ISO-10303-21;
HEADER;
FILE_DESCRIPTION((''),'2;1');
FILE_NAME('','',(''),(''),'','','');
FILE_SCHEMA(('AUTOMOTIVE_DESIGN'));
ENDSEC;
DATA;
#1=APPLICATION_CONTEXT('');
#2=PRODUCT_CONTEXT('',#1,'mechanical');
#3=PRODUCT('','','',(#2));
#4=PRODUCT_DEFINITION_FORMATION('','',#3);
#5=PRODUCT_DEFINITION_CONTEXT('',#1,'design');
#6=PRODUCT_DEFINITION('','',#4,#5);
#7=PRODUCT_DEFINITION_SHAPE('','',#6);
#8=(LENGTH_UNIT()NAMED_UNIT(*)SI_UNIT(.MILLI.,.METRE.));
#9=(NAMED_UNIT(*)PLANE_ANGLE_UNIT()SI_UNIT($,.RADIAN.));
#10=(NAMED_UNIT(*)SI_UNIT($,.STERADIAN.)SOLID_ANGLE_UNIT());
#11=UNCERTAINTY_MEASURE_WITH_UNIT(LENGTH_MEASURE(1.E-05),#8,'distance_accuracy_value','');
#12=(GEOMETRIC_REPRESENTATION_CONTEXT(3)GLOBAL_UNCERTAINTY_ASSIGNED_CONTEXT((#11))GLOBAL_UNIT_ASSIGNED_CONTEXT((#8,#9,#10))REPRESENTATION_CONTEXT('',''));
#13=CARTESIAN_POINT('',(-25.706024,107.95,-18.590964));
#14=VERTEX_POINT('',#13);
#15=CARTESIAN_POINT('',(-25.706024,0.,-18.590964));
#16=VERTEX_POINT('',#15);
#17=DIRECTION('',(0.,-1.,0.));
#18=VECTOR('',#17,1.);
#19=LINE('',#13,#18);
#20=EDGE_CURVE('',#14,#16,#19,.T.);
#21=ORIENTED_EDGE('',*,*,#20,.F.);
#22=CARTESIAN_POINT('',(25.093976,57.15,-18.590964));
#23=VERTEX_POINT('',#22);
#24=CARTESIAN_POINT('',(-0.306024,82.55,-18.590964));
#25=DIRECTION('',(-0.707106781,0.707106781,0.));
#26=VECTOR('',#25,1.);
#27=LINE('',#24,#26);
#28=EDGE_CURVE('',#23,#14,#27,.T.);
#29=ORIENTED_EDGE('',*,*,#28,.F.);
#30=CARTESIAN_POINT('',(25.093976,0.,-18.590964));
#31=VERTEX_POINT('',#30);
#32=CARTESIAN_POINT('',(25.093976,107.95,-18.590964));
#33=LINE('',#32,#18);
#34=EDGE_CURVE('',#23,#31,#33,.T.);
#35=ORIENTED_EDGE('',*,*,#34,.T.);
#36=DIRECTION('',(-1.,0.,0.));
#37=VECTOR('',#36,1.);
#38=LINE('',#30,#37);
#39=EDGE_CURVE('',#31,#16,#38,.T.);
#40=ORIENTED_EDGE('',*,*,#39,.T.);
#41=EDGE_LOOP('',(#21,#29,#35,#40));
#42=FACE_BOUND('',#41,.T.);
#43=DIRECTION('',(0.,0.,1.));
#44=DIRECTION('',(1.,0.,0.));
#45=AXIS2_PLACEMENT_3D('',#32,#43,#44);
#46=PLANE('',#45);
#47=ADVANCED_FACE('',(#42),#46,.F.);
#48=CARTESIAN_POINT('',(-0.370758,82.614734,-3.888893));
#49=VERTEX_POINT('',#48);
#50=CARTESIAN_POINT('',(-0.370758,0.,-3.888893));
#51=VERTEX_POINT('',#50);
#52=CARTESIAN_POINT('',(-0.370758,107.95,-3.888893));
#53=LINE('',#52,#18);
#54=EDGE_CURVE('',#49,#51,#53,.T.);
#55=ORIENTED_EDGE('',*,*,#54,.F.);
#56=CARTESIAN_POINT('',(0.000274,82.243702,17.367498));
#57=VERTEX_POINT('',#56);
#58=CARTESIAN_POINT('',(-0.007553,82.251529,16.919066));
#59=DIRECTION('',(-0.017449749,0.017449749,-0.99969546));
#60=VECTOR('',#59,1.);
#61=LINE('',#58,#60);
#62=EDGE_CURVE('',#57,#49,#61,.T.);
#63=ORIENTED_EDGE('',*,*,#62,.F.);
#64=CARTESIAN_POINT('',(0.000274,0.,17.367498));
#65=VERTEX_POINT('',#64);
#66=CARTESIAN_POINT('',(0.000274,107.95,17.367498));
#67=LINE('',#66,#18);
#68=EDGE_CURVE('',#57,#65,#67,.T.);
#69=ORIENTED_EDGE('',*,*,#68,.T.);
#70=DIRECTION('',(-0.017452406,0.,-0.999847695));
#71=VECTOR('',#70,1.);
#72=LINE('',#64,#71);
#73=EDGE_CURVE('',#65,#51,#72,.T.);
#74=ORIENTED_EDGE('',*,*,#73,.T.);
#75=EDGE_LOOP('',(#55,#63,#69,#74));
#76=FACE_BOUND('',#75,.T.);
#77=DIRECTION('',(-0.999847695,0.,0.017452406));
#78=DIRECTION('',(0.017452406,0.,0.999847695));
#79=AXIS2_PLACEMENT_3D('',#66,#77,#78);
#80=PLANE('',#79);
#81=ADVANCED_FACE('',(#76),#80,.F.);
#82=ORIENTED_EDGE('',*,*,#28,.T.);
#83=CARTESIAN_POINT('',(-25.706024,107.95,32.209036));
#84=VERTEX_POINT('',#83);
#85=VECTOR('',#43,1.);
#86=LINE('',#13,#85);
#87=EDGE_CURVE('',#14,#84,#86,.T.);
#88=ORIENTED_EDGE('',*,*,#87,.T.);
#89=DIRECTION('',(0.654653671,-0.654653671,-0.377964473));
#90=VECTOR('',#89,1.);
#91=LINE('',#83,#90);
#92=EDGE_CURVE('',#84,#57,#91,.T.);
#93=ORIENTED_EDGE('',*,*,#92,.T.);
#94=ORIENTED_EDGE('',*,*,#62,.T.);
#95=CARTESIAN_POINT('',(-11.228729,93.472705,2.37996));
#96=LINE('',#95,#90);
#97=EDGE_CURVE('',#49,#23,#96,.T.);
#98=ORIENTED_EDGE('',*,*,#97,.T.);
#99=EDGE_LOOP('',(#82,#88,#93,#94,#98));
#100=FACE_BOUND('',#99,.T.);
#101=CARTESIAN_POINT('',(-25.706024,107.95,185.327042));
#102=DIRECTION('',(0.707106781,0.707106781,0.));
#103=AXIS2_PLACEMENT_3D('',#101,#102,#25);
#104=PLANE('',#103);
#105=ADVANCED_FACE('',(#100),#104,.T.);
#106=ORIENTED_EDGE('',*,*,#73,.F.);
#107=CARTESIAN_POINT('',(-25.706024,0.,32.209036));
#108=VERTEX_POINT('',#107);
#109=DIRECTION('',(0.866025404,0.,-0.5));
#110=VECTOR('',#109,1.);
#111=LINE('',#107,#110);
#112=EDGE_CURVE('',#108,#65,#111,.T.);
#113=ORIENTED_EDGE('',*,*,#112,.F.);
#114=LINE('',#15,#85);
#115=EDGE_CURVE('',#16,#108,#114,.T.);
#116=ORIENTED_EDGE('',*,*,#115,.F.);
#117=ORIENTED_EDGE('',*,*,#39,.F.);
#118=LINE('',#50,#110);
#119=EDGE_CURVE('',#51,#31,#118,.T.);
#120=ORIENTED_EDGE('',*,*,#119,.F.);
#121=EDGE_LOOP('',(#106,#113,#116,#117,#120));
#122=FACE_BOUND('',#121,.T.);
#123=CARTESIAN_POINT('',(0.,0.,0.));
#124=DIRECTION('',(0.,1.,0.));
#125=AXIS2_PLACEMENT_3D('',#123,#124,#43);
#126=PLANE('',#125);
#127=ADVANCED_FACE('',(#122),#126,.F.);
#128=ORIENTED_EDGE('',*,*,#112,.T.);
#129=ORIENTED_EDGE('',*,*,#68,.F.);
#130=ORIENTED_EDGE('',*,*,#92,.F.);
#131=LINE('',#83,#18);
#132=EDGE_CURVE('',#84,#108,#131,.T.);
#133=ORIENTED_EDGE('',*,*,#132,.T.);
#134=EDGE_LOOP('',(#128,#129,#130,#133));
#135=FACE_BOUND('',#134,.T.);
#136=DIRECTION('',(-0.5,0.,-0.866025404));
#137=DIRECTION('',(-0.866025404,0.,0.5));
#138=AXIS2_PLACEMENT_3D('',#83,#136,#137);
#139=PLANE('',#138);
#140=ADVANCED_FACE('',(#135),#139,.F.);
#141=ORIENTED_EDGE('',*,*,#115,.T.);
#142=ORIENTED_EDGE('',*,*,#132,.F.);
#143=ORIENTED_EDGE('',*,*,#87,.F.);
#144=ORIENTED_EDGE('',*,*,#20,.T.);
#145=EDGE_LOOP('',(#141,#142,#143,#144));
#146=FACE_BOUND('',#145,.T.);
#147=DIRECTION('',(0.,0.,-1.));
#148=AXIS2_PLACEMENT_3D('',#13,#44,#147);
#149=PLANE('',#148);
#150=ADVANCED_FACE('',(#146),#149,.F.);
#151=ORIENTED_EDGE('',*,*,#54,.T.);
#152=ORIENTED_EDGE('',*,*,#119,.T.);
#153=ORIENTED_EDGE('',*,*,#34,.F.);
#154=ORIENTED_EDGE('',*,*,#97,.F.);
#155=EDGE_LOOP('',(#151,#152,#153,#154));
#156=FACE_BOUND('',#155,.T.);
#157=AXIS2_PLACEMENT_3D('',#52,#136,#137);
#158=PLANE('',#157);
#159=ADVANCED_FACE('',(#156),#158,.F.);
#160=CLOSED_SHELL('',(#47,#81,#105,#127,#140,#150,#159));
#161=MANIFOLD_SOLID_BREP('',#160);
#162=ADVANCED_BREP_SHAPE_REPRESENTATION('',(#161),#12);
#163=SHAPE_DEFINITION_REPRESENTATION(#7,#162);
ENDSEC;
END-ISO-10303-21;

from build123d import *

# Parameters (mm, degrees)
BOSS_EXTRUDE1_DEPTH     = 107.95
CUT_EXTRUDE1_DEPTH      = 116.548362966
CUT_EXTRUDE1_DEPTH_BACK = 116.548362966


with BuildPart() as part:
    # Sketch1 → Boss-Extrude1 (new body)
    with BuildSketch(Plane(origin=(0, 0, 0), x_dir=(1, 0, 0), z_dir=(0, 1, 0))):
        Polygon((25.093975904, 18.590963855), (-25.706024096, 18.590963855), (-25.706024096, -32.209036145), (0.000274042, -17.367497994), (-0.370757644, 3.888893087), align=None)
    extrude(amount=BOSS_EXTRUDE1_DEPTH)

    # Sketch2 → Cut-Extrude1 (cut, two sides: drawn at the far end of the back side and taken through both)
    with BuildSketch(Plane.XY.offset(-CUT_EXTRUDE1_DEPTH_BACK)):
        Polygon((-201.500786154, 283.744762058), (-25.706024096, 107.95), (25.093975904, 57.15), (200.888737961, -118.644762058), (552.478262077, 232.944762058), (150.088737961, 635.334286173), align=None)
    extrude(amount=CUT_EXTRUDE1_DEPTH + CUT_EXTRUDE1_DEPTH_BACK, mode=Mode.SUBTRACT)


solid = part.part
